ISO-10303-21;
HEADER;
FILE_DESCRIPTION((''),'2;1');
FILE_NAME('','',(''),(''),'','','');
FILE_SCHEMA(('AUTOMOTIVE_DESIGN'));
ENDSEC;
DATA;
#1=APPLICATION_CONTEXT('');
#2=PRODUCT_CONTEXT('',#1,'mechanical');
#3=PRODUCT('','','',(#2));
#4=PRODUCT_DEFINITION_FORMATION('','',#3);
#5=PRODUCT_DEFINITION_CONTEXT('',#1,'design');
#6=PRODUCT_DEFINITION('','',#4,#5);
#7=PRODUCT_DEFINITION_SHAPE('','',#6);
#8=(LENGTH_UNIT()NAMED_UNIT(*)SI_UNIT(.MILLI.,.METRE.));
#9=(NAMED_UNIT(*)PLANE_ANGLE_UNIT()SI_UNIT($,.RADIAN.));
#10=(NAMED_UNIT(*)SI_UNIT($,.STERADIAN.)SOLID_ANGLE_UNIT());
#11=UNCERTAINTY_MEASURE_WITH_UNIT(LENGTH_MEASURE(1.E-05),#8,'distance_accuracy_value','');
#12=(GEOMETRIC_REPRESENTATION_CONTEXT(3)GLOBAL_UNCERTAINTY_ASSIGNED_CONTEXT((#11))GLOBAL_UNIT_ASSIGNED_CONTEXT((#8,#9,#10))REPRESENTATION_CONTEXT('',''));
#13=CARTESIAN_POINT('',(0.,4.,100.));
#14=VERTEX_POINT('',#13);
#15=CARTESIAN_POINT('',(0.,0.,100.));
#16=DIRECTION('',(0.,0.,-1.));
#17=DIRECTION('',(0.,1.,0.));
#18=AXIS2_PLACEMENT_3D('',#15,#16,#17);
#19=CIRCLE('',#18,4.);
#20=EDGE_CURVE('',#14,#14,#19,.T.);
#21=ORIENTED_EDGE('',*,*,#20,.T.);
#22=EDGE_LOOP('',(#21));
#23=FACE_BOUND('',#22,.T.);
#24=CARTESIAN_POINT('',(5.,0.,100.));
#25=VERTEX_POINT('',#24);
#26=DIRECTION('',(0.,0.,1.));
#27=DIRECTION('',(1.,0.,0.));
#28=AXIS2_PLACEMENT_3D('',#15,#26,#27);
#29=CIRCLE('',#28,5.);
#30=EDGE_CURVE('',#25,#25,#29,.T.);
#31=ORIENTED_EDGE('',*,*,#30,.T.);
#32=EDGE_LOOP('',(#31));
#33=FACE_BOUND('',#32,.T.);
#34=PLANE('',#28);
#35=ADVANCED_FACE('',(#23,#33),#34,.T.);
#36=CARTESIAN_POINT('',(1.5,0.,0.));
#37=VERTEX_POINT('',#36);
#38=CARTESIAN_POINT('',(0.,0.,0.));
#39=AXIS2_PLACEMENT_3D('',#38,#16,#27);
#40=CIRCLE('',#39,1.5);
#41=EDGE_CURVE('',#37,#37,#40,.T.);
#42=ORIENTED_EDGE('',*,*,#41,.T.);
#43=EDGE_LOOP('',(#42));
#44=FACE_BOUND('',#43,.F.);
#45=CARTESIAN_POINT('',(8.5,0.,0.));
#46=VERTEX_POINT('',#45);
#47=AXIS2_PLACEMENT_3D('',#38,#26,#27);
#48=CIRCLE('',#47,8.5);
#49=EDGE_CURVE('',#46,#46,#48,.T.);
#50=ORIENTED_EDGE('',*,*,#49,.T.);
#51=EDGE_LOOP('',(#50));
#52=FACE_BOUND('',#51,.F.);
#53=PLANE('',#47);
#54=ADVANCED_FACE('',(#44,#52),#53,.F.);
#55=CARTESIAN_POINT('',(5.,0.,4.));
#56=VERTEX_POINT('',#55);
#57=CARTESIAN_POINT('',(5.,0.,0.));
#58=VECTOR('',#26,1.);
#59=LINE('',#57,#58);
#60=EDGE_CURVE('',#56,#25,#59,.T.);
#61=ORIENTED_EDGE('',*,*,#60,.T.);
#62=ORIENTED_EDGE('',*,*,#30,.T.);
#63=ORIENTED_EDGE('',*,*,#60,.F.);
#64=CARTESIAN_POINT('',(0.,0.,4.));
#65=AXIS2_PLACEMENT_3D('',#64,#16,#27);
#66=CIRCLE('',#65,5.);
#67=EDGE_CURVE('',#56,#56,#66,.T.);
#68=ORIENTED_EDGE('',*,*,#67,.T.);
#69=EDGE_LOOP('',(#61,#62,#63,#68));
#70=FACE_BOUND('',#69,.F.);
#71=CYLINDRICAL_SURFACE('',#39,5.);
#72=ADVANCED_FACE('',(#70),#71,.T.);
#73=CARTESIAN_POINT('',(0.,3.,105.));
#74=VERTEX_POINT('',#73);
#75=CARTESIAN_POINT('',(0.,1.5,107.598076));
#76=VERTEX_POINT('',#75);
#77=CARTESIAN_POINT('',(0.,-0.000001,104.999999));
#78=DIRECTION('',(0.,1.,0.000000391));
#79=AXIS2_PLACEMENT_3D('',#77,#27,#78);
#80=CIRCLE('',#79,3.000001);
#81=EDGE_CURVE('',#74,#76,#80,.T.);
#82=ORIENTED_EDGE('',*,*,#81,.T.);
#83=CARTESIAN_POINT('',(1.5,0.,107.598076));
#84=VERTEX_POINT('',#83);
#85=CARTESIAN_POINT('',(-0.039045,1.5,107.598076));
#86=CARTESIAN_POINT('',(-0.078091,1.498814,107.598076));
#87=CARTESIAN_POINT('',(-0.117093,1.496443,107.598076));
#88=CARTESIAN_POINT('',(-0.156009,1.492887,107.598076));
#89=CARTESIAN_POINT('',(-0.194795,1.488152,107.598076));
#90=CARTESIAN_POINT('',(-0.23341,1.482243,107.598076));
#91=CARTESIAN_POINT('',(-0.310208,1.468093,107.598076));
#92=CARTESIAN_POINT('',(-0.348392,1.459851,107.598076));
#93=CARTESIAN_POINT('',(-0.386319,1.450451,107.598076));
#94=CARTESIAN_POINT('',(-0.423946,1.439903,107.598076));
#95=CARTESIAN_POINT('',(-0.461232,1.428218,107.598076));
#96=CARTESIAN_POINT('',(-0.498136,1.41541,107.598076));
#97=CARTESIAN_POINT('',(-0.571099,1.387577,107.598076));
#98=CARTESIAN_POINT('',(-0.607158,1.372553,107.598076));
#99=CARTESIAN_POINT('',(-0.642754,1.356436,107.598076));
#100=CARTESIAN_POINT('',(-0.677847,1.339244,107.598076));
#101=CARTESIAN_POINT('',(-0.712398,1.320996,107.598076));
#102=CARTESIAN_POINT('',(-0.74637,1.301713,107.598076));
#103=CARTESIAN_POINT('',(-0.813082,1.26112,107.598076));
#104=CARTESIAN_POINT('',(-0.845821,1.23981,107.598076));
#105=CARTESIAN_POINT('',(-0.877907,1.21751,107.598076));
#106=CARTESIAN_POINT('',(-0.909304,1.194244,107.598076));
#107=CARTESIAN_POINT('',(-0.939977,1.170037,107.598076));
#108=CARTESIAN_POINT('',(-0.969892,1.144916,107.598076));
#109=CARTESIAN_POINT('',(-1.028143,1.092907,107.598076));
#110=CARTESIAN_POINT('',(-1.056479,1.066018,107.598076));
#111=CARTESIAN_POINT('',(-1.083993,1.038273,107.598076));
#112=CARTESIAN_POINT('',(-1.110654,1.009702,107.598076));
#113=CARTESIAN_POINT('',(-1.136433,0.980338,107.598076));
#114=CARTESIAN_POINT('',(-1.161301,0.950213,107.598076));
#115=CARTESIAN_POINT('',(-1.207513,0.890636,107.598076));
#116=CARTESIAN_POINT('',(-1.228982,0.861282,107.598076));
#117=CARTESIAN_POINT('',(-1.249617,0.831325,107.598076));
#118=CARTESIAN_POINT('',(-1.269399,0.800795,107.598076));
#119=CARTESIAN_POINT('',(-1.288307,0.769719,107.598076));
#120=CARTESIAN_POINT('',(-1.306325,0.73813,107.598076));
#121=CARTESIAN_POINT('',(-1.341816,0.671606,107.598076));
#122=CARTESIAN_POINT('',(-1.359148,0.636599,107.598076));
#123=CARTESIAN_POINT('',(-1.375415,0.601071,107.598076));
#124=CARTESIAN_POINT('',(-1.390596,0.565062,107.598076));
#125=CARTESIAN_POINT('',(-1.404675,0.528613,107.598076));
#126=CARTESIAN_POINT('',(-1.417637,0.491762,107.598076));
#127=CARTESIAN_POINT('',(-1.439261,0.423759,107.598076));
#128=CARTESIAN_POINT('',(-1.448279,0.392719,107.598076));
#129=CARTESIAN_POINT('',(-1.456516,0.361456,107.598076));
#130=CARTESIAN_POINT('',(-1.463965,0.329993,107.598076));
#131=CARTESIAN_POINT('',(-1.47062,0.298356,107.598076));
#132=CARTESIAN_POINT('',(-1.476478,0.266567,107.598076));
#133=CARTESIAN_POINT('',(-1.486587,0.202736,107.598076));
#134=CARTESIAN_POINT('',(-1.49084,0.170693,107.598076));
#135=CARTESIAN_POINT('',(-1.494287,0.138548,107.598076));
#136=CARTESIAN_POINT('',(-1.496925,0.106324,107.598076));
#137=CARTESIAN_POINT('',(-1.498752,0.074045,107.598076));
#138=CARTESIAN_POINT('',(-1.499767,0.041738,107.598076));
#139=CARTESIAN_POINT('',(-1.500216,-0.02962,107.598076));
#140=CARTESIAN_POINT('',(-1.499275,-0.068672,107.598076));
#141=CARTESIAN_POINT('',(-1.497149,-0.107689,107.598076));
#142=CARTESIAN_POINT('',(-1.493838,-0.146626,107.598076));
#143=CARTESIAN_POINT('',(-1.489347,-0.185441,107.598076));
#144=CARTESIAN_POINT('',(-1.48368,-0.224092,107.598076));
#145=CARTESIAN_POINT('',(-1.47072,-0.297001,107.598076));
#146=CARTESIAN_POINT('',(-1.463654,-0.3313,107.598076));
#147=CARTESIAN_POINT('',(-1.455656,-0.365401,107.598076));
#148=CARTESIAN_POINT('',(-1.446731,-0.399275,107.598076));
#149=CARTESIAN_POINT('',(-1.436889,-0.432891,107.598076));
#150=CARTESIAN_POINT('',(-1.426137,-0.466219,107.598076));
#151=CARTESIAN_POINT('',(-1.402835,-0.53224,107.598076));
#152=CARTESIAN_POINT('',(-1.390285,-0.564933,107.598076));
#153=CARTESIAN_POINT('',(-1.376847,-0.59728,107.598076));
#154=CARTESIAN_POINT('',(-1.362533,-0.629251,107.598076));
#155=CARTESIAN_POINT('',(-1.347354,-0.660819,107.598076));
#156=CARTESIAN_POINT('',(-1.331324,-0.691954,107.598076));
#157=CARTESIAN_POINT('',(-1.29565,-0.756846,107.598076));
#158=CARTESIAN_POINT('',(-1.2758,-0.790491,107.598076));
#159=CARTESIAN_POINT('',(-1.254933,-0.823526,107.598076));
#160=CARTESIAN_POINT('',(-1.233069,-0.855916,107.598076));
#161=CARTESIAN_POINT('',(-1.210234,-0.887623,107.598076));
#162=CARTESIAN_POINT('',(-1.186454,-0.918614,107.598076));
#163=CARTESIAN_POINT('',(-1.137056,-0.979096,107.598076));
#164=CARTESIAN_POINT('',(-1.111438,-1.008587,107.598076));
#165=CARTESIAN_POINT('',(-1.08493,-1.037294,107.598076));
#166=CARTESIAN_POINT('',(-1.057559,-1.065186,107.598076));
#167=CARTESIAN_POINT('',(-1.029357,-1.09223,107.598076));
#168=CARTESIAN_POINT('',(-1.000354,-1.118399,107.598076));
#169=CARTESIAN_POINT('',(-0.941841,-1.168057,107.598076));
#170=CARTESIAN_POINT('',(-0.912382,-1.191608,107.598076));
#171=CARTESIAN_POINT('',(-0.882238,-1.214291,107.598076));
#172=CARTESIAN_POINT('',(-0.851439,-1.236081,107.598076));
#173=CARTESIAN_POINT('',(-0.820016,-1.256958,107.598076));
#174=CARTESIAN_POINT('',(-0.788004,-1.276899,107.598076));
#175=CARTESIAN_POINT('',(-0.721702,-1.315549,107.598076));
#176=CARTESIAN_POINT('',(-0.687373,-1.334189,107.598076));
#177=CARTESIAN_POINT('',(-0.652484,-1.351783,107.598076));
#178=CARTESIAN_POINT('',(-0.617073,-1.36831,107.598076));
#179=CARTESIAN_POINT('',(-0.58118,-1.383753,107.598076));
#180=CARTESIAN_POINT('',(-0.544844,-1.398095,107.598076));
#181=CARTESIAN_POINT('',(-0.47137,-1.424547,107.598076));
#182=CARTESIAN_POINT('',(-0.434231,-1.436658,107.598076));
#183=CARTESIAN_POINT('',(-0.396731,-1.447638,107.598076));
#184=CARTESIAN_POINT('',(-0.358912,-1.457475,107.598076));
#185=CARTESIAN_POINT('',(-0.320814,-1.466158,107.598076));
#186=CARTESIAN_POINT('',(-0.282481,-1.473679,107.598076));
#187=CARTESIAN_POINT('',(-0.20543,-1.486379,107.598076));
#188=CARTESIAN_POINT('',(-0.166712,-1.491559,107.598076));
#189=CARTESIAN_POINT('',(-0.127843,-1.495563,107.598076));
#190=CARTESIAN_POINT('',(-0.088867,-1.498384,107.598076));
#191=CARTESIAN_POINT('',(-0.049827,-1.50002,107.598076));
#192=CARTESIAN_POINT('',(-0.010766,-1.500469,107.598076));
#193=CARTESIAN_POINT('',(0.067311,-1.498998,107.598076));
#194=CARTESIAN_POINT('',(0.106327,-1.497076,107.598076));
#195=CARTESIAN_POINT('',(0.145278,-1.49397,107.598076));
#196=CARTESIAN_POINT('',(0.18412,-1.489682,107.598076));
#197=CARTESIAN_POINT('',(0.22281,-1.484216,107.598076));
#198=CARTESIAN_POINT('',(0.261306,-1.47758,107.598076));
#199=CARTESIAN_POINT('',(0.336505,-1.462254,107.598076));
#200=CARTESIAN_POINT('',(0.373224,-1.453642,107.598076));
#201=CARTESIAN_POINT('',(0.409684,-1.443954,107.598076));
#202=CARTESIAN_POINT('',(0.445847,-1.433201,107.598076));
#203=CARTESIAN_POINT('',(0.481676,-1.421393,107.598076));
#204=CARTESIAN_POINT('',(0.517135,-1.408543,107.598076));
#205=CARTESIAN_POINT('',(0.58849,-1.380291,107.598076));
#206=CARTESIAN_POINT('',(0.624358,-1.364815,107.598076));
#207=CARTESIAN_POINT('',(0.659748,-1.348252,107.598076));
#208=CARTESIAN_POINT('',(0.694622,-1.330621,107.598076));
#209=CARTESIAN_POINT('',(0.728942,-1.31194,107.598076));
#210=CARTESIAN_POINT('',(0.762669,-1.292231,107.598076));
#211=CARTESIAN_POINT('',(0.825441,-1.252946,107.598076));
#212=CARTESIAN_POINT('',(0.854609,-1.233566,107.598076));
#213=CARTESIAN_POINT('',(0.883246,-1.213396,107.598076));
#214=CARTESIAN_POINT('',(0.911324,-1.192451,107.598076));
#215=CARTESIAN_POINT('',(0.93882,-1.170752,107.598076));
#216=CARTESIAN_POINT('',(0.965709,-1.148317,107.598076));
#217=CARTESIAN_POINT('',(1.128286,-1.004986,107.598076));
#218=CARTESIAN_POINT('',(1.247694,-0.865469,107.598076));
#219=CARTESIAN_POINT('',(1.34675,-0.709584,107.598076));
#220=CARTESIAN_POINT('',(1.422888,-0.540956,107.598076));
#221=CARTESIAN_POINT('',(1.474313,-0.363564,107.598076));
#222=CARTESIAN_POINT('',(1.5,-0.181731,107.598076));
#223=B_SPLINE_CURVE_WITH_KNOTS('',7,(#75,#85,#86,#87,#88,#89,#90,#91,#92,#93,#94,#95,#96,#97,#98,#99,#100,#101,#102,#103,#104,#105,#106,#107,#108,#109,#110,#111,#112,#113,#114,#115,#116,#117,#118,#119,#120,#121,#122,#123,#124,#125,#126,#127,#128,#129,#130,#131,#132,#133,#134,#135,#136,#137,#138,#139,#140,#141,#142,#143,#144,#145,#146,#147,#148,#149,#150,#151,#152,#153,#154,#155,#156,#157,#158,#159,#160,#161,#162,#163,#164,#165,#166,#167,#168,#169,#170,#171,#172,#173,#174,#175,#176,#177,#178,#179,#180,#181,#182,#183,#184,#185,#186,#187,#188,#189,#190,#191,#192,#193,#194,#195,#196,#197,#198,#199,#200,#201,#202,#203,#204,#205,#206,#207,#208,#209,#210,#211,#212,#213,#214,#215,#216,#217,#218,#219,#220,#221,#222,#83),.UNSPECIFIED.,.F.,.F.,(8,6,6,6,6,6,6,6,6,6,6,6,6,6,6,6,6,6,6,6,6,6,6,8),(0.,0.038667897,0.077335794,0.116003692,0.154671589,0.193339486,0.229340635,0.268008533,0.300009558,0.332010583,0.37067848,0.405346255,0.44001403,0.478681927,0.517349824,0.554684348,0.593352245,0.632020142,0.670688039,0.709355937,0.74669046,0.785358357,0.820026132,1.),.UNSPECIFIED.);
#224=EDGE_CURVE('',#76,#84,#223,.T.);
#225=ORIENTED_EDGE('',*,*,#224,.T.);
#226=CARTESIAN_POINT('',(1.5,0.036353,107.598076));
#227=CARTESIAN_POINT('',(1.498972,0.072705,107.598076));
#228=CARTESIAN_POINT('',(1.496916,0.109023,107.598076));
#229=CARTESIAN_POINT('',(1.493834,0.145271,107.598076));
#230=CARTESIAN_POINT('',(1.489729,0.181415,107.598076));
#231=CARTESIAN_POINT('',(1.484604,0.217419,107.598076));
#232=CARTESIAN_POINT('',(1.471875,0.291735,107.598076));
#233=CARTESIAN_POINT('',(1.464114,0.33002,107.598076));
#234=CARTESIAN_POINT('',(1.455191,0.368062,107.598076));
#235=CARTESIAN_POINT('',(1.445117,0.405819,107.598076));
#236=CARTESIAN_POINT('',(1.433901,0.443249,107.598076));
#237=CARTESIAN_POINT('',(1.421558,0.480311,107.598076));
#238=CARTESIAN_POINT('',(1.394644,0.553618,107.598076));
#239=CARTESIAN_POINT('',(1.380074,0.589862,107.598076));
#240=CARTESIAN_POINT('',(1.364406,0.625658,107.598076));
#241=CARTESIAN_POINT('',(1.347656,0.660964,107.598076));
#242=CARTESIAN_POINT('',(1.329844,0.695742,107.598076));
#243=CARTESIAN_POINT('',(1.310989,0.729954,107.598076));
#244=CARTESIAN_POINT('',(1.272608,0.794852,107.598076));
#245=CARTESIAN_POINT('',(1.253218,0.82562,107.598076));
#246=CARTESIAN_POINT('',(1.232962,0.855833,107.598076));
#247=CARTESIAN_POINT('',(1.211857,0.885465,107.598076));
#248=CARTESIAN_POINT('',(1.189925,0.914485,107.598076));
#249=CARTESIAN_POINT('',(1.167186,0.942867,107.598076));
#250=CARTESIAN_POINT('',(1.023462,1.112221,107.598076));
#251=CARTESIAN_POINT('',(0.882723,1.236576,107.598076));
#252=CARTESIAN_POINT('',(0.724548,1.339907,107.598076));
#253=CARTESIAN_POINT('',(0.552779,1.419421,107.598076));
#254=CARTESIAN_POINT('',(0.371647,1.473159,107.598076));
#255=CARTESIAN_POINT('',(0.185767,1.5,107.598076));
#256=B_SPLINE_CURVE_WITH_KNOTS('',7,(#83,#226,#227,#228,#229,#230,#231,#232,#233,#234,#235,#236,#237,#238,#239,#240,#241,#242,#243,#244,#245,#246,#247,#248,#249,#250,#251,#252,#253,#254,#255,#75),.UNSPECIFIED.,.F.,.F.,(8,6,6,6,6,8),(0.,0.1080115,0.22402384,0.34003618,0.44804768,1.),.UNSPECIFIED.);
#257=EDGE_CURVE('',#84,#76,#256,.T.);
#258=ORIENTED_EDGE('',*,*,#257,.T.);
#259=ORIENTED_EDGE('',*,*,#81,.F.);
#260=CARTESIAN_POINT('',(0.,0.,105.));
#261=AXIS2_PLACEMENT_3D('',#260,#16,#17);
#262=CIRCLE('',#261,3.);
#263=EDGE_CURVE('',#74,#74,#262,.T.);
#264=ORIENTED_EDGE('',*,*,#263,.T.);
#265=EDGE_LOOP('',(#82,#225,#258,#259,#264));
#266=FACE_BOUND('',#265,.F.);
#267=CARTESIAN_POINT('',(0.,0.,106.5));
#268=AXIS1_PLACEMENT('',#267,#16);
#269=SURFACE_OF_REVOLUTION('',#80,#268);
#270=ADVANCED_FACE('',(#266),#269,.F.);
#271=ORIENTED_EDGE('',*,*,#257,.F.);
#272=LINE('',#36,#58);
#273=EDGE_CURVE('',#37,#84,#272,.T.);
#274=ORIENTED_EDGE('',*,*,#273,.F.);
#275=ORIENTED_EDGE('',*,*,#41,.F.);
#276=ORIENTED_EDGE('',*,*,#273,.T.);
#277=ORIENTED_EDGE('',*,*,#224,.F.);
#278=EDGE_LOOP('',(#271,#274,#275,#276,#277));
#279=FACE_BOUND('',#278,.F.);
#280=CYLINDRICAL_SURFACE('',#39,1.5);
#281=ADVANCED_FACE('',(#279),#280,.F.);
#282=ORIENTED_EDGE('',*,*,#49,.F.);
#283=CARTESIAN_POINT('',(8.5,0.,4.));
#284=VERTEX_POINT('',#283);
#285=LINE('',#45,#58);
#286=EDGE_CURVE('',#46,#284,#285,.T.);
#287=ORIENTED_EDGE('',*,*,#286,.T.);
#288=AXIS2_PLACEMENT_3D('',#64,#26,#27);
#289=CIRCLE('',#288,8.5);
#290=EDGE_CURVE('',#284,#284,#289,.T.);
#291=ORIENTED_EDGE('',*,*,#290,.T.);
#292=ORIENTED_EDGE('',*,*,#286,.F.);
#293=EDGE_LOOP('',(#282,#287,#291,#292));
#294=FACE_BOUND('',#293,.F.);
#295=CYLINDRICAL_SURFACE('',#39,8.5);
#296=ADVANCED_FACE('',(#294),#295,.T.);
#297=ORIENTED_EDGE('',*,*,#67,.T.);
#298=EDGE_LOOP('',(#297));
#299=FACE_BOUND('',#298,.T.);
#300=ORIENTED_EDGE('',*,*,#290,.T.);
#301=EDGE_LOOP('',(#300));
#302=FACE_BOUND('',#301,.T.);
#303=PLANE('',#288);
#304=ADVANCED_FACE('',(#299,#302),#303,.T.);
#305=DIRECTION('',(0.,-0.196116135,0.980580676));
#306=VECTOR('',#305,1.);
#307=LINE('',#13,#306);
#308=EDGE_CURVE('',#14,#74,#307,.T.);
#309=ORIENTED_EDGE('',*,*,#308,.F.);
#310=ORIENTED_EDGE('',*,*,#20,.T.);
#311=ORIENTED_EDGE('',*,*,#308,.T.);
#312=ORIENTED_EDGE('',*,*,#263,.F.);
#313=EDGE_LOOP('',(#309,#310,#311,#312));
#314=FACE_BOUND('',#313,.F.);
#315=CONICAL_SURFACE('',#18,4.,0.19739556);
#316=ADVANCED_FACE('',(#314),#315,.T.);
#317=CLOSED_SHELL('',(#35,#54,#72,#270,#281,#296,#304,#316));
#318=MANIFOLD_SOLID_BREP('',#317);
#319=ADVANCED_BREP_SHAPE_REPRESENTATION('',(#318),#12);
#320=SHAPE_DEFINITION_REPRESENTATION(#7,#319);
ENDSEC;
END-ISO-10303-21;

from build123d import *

# Parameters (mm, degrees)
F0_R     = 8.5
F1_DEPTH = 4
F2_R     = 5
F3_DEPTH = 100
F8_R     = 1.5
F9_DEPTH = 123.9


with BuildPart() as f1:
    # F0 (on Top) → F1 (new body)
    with BuildSketch(Plane.XY):
        Circle(F0_R)
    extrude(amount=F1_DEPTH)

    # F2 (on Top) → F3 (join)
    with BuildSketch(Plane.XY):
        Circle(F2_R)
    extrude(amount=F3_DEPTH)

    # F4 (on Right) → F5 (revolve)
    with BuildSketch(Plane.YZ):
        Polygon((3, 105), (0, 105), (0, 100), (4, 100), align=None)
    revolve(axis=Axis((0, 0, 102.5), (0, 0, -1)))

    # F6 (on Right) → F7 (revolve)
    with BuildSketch(Plane.YZ):
        with BuildLine():
            ThreePointArc((3, 105), (2.12132, 107.12132), (0, 108))
            Line((0, 108), (0, 105))
            Line((0, 105), (3, 105))
        make_face()
    revolve(axis=Axis((0, 0, 106.5), (0, 0, -1)))

    # F8 (on face) → F9 (cut)
    with BuildSketch(Plane(origin=(0, 0, 0), x_dir=(1, 0, 0), z_dir=(0, 0, -1))):
        Circle(F8_R)
    extrude(amount=-F9_DEPTH, mode=Mode.SUBTRACT)


solid = f1.part
